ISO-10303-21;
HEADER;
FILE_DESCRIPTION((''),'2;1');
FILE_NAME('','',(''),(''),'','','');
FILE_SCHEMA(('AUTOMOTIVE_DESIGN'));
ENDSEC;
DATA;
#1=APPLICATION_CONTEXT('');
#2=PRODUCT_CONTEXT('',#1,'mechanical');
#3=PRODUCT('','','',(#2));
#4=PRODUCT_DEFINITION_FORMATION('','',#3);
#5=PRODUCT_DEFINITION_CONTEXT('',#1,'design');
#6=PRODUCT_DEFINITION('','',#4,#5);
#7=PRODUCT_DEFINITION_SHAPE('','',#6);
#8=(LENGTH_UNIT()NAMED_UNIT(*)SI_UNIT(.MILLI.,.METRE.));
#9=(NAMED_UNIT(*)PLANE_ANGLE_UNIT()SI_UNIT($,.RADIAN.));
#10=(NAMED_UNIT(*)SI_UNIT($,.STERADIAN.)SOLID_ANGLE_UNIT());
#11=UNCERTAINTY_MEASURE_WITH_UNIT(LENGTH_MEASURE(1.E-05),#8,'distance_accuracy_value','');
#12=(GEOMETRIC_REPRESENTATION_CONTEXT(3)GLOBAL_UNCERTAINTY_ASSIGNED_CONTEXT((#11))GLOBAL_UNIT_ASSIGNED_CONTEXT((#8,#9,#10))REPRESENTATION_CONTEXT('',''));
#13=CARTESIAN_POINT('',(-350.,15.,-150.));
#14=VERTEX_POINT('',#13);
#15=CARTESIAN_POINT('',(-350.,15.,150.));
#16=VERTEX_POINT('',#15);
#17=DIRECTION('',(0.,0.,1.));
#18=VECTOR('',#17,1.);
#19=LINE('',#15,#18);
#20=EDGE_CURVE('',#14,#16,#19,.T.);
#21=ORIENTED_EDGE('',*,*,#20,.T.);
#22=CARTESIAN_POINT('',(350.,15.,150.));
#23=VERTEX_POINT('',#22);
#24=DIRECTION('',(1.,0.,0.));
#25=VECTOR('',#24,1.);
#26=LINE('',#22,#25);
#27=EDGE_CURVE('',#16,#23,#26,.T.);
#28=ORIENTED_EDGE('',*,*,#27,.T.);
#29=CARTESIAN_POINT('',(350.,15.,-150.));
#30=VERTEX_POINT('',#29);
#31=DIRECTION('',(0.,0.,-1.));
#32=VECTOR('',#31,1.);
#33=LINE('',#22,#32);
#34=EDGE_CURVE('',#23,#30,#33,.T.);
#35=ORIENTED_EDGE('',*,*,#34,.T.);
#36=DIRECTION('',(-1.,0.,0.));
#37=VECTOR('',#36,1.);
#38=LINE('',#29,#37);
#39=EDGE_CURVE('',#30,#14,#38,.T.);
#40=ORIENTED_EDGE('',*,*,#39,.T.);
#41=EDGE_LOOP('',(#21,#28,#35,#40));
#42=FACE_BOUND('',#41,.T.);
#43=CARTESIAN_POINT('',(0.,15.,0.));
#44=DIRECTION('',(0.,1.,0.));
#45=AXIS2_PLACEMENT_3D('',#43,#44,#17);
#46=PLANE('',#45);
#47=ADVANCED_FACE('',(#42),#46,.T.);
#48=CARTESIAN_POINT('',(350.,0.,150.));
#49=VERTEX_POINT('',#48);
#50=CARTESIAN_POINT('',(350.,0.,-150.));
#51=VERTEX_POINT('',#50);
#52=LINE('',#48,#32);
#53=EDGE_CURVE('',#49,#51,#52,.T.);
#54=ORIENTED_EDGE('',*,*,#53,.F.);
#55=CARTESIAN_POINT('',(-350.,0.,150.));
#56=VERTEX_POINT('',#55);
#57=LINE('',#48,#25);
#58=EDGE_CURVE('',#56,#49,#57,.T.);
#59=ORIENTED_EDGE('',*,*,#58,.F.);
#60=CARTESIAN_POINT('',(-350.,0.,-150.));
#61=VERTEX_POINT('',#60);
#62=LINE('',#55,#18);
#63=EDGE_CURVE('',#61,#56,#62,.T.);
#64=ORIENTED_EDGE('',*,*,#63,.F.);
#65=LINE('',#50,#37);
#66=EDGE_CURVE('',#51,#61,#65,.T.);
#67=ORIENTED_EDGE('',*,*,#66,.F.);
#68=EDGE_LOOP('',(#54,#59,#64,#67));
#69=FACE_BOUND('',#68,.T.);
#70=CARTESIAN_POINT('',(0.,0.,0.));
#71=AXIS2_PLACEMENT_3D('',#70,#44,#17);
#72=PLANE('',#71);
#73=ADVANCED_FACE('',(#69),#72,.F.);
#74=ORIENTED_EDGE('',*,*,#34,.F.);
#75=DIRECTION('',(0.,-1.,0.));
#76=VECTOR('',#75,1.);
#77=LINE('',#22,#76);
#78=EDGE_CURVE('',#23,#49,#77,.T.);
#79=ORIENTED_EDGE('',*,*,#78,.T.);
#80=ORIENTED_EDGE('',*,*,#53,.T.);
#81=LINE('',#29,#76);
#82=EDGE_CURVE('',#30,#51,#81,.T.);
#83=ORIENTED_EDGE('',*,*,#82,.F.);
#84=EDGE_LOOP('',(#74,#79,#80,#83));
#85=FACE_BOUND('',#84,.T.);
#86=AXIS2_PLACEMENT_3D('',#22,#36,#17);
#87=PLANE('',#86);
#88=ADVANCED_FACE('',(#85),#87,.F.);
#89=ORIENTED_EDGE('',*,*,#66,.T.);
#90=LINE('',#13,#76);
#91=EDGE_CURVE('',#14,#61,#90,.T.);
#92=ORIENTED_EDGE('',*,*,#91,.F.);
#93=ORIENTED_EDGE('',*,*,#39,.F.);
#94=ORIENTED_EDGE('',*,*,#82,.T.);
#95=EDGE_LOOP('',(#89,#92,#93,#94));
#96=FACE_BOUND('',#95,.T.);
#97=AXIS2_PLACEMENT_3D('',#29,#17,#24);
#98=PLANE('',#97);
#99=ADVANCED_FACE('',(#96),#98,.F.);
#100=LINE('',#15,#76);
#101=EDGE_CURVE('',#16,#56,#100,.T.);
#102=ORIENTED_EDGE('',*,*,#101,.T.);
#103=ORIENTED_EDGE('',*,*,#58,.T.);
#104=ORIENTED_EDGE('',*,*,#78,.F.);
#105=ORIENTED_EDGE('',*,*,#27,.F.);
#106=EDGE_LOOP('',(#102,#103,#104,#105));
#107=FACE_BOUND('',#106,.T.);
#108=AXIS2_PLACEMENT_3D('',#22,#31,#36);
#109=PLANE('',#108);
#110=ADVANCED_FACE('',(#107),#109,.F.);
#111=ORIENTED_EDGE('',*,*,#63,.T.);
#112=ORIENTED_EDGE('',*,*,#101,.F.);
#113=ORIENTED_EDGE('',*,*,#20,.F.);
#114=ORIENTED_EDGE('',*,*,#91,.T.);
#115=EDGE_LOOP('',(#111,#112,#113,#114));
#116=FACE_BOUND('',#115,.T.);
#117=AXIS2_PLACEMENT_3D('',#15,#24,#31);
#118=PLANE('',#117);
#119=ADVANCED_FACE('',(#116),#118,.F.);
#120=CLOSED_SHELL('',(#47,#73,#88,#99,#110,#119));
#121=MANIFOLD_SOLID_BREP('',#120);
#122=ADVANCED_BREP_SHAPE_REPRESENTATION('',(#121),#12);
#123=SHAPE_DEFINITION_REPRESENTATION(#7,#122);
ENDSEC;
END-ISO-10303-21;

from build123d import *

# Parameters (mm, degrees)
ESBO_O1_W                = 700
ESBO_O1_H                = 300
RESSALTO_EXTRUS_O1_DEPTH = 15


with BuildPart() as part:
    # Esboço1 → Ressalto-extrusão1 (new body)
    with BuildSketch(Plane(origin=(0, 0, 0), x_dir=(1, 0, 0), z_dir=(0, 1, 0))):
        Rectangle(ESBO_O1_W, ESBO_O1_H)
    extrude(amount=RESSALTO_EXTRUS_O1_DEPTH)


solid = part.part
